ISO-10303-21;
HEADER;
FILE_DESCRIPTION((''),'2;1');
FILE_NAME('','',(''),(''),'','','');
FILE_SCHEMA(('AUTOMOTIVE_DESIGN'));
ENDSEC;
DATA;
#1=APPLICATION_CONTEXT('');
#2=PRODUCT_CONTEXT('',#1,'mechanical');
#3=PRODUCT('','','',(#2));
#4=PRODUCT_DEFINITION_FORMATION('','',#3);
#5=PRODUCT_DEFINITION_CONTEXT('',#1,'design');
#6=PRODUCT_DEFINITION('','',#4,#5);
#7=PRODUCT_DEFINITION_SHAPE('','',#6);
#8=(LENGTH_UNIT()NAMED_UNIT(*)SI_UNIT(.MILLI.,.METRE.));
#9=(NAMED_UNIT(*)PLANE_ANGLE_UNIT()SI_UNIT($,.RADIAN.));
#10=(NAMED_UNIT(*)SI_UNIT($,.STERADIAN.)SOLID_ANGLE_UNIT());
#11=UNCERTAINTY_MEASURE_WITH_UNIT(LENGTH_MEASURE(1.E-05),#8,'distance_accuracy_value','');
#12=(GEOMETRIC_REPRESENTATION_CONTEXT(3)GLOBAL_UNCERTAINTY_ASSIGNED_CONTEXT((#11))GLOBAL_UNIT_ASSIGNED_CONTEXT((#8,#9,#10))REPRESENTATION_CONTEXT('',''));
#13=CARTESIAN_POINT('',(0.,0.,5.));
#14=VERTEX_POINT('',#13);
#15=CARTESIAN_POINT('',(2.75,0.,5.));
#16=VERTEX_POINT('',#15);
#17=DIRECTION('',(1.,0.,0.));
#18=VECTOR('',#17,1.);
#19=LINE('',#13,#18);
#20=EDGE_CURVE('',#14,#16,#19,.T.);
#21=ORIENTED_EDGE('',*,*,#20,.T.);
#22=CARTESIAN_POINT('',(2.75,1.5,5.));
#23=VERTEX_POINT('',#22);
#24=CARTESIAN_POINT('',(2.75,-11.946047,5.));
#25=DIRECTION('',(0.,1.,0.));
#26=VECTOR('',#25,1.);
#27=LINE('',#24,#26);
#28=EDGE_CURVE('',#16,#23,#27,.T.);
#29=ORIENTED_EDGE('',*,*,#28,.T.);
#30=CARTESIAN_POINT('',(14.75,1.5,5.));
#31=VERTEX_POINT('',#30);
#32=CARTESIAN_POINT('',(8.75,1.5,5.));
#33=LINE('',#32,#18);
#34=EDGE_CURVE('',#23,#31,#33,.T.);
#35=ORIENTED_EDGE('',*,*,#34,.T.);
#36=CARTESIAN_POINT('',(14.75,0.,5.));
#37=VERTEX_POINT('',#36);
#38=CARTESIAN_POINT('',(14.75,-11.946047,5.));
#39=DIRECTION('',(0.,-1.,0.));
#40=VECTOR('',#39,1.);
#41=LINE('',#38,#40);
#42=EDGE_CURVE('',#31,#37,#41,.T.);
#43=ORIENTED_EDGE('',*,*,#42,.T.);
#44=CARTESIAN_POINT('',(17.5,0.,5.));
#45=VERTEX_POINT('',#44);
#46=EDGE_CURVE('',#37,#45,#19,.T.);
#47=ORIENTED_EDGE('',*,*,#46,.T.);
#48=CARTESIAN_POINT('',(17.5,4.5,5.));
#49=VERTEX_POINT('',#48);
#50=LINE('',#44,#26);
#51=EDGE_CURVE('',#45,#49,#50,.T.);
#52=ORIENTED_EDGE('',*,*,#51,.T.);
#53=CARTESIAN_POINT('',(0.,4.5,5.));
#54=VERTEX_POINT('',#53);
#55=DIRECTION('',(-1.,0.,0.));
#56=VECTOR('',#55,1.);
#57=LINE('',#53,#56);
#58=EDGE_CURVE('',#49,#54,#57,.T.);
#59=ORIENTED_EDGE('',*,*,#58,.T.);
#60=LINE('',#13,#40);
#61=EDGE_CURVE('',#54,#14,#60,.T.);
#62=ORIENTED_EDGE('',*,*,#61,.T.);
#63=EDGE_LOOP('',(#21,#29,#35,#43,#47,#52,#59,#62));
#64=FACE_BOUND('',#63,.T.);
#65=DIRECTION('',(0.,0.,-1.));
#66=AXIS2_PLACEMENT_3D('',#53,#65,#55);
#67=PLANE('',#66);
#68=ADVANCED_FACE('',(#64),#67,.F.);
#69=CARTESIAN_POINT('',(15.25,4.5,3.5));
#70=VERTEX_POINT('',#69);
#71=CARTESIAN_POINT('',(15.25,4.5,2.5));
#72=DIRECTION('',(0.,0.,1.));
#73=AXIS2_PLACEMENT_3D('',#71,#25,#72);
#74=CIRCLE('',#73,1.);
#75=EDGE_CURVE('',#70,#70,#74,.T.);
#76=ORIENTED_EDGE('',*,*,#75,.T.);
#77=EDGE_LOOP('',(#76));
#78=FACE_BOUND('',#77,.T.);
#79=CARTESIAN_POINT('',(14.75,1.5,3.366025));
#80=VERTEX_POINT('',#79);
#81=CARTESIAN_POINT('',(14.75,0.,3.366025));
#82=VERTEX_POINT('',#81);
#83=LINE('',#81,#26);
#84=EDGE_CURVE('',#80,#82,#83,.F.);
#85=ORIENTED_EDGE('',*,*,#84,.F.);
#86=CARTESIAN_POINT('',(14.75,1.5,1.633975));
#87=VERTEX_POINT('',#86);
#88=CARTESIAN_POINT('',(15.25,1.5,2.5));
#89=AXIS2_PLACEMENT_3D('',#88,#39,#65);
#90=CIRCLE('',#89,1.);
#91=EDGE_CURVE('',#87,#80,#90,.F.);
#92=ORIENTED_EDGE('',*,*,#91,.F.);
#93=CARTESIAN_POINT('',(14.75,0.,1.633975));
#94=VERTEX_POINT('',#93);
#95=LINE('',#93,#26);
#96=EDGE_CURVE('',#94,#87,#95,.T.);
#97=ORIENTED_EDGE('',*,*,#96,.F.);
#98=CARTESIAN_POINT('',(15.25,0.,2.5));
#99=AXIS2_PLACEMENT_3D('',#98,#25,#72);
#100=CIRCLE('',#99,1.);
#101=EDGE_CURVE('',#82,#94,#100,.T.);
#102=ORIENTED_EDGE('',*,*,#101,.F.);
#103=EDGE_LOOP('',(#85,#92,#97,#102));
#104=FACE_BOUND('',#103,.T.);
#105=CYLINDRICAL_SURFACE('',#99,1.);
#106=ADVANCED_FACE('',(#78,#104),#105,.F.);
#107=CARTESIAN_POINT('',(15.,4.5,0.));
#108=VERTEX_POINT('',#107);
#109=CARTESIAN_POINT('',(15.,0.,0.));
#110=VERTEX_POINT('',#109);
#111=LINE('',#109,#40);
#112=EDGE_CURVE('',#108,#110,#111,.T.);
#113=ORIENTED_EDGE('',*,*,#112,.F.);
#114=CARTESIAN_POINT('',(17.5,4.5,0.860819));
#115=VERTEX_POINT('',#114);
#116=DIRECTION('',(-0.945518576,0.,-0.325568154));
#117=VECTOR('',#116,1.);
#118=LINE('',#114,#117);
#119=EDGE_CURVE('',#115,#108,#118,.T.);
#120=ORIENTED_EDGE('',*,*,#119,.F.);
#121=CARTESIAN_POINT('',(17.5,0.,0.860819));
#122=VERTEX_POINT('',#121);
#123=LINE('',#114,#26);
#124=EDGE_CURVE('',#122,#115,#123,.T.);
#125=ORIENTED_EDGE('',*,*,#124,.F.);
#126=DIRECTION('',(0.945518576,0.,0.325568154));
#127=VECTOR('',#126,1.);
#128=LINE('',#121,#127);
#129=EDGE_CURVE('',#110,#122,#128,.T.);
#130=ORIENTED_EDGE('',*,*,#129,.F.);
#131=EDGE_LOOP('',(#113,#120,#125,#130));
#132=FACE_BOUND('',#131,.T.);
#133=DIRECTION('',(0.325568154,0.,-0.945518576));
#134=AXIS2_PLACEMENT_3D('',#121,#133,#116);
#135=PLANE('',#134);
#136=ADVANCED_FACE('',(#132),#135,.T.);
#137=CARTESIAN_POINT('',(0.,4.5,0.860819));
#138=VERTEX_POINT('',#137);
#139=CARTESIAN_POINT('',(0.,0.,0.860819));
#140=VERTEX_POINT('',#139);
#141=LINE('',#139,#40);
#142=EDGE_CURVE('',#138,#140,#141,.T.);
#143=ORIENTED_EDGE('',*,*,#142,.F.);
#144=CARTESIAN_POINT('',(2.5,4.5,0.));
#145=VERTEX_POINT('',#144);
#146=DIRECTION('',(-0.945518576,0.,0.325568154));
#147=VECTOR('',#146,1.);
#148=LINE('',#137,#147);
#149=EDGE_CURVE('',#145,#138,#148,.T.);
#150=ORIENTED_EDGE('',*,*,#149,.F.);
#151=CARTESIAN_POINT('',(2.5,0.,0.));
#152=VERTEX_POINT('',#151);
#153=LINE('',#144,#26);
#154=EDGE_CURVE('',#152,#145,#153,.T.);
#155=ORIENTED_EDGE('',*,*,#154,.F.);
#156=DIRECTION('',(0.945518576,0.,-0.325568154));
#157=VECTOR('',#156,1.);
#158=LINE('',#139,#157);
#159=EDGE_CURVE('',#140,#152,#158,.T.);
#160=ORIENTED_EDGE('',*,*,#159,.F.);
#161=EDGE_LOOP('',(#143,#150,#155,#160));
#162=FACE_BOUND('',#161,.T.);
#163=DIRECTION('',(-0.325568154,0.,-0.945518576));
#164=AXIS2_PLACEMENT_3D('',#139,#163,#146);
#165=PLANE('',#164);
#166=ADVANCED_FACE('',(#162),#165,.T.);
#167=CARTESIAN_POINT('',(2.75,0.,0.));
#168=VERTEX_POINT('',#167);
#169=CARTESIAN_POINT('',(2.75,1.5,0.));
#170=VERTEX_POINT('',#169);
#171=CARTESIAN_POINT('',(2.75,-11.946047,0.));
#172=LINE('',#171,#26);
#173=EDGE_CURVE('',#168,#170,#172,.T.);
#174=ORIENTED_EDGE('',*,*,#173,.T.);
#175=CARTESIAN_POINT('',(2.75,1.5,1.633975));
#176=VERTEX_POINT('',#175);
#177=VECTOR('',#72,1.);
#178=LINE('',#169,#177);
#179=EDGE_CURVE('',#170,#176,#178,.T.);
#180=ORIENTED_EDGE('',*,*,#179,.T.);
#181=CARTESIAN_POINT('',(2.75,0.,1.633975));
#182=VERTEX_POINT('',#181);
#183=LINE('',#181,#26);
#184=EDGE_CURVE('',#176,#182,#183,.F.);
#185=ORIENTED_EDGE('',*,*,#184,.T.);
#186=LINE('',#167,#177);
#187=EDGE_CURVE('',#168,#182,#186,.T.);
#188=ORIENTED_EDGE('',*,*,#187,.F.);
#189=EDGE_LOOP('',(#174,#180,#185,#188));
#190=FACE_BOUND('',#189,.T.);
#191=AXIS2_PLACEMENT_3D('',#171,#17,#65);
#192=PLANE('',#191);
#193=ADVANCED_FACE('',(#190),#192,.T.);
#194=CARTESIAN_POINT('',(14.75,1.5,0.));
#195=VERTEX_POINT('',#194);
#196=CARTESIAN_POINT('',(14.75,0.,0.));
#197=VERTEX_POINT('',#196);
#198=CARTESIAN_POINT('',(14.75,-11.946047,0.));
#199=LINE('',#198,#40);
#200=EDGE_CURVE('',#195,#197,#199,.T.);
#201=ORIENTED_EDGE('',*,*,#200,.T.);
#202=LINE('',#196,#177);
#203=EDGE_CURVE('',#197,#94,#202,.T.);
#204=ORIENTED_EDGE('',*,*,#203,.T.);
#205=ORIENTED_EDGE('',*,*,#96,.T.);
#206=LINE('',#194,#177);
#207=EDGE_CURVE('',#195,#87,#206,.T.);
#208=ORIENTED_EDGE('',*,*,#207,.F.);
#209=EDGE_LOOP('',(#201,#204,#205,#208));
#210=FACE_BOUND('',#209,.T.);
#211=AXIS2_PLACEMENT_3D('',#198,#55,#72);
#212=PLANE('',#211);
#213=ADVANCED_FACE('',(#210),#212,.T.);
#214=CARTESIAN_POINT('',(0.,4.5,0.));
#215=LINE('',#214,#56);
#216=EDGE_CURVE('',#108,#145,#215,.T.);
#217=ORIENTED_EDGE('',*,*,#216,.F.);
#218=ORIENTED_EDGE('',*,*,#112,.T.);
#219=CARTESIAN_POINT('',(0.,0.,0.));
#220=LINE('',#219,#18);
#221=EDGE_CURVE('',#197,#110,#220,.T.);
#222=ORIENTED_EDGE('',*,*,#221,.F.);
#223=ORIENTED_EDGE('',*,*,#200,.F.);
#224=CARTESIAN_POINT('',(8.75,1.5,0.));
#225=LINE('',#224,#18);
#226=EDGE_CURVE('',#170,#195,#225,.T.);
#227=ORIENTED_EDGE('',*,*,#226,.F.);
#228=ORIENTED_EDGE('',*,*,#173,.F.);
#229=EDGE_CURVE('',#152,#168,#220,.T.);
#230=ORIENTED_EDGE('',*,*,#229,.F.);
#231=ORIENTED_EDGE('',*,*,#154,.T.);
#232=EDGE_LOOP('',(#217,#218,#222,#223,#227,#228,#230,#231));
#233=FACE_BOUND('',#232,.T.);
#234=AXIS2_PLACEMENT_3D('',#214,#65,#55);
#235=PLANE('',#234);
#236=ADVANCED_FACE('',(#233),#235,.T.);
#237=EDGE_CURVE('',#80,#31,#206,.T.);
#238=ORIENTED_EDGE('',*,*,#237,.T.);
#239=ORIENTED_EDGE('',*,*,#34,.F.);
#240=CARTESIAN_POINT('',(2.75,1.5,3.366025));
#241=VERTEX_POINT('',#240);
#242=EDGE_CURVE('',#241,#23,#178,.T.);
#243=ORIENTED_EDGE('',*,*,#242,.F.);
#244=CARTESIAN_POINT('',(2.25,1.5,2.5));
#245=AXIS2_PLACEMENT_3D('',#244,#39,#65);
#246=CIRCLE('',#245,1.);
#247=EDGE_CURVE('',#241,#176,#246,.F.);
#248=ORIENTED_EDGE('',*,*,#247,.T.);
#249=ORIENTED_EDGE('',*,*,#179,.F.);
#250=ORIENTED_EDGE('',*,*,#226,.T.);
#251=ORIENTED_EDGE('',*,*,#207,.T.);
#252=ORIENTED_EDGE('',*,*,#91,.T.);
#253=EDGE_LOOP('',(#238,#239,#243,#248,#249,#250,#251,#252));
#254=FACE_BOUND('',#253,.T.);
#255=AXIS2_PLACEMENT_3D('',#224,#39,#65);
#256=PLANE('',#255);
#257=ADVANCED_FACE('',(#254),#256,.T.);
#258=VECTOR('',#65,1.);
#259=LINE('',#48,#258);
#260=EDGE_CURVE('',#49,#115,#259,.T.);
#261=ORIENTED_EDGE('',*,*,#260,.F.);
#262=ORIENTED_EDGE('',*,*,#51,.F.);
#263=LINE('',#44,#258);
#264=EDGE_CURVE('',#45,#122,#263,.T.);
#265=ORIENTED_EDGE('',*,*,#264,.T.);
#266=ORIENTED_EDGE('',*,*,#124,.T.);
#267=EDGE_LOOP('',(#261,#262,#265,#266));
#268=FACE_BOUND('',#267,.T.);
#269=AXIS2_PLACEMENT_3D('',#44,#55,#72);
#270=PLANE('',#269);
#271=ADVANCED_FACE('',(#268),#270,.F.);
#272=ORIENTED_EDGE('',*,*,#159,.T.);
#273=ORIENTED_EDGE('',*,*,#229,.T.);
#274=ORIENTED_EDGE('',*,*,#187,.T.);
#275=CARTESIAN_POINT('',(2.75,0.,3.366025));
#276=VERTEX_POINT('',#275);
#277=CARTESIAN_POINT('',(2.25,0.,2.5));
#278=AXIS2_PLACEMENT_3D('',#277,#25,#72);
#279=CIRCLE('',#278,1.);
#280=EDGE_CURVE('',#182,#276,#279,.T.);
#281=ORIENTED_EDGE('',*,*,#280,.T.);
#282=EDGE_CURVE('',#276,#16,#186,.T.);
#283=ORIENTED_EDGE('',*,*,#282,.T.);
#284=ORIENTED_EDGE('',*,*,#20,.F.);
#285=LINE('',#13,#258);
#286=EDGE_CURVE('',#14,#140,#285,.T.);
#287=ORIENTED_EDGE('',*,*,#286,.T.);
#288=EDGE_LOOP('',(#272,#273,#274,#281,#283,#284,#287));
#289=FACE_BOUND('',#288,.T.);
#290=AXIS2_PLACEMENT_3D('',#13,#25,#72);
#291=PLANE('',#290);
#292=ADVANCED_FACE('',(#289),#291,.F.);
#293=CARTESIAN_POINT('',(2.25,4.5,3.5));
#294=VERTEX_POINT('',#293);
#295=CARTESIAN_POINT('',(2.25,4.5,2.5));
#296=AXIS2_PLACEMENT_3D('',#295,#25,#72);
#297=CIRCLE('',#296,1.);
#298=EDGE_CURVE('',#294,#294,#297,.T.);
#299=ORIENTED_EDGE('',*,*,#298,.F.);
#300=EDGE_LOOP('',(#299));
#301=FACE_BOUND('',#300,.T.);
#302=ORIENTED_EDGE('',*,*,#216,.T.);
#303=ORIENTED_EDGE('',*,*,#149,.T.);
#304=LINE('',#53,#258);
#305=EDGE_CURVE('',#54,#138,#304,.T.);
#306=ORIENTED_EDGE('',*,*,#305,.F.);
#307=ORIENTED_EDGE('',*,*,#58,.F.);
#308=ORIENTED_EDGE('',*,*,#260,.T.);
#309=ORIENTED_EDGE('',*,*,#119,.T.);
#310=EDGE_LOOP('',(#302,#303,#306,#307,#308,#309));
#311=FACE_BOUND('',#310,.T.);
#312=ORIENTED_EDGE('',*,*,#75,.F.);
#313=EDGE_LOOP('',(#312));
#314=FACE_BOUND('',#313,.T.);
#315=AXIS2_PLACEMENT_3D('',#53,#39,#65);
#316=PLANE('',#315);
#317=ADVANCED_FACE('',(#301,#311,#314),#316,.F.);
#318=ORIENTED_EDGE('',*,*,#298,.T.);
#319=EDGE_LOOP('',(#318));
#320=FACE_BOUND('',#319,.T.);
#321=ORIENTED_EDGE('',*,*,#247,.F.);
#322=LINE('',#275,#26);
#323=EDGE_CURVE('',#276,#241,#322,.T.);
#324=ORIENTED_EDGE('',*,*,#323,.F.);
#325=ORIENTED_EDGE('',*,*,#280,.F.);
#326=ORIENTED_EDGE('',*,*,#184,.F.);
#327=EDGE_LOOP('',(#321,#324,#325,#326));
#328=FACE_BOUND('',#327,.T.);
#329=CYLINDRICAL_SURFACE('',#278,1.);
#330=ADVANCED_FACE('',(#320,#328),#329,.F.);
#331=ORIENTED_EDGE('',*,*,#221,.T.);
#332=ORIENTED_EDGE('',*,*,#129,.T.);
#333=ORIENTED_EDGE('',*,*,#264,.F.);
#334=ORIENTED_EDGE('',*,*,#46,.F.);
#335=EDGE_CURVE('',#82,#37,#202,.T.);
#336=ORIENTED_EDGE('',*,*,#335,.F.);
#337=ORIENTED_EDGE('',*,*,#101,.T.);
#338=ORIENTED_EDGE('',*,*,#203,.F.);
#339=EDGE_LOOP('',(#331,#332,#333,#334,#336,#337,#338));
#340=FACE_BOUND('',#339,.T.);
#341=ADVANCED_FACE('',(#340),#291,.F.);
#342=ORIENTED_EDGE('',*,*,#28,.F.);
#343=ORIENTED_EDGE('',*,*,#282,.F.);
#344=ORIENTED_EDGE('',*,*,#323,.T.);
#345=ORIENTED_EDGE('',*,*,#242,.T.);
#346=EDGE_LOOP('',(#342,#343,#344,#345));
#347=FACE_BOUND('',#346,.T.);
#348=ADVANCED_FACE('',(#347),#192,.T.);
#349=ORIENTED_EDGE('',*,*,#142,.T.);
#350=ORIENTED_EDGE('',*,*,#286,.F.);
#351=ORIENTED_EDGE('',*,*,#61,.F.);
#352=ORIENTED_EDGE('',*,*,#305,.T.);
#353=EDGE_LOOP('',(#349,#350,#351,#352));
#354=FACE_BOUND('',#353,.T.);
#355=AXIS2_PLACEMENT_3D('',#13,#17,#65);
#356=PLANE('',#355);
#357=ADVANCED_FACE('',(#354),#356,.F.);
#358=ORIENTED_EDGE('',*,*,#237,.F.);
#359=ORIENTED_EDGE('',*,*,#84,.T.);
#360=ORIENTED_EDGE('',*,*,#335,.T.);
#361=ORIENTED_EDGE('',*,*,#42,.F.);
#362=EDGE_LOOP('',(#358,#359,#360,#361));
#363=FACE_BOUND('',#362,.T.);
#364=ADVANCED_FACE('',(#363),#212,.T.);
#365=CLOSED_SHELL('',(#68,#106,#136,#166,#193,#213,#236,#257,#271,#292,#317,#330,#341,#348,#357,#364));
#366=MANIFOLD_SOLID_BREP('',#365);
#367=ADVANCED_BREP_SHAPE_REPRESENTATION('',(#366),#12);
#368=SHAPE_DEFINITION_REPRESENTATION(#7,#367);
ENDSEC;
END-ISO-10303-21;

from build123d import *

# Parameters (mm, degrees)
SKETCH_1_W          = 17.5
SKETCH_1_H          = 4.5
EXTRUDE_1_DEPTH     = 5
SKETCH_2_R          = 1
CUT_EXTRUDE_1_DEPTH = 5.5
SKETCH_3_W          = 12
SKETCH_3_H          = 1.5
CUT_EXTRUDE_3_DEPTH = 6
CHAMFER_2_SIZE      = 2.5
CHAMFER_2_SIZE2     = 0.860819033


with BuildPart() as part:
    # Эскиз1 → Бобышка-Вытянуть1 (new body)
    with BuildSketch(Plane.XY):
        with Locations((8.75, 2.25)):
            Rectangle(SKETCH_1_W, SKETCH_1_H)
    extrude(amount=EXTRUDE_1_DEPTH)

    # Эскиз2 → Вырез-Вытянуть1 (cut, through all)
    with BuildSketch(Plane(origin=(0, 4.5, 0), x_dir=(1, 0, 0), z_dir=(0, 1, 0))):
        with Locations((2.25, -2.5)):
            Circle(SKETCH_2_R)
        with Locations((15.25, -2.5)):
            Circle(SKETCH_2_R)
    extrude(amount=-CUT_EXTRUDE_1_DEPTH, mode=Mode.SUBTRACT)

    # Эскиз3 → Вырез-Вытянуть3 (cut, through all)
    with BuildSketch(Plane.XY.offset(5)):
        with Locations((8.75, 0.75)):
            Rectangle(SKETCH_3_W, SKETCH_3_H)
    extrude(amount=-CUT_EXTRUDE_3_DEPTH, mode=Mode.SUBTRACT)

    # Фаска2
    chamfer_2_edges = [part.edges().sort_by_distance(p)[0] for p in [
        (17.5, 2.25, 0),
        (0, 2.25, 0),
    ]]
    chamfer_2_side = [part.faces().sort_by_distance(p)[0] for p in [
        (8.75, 2.694444444, 0),
    ]]
    chamfer(chamfer_2_edges, length=CHAMFER_2_SIZE, length2=CHAMFER_2_SIZE2, reference=chamfer_2_side[0])


solid = part.part
